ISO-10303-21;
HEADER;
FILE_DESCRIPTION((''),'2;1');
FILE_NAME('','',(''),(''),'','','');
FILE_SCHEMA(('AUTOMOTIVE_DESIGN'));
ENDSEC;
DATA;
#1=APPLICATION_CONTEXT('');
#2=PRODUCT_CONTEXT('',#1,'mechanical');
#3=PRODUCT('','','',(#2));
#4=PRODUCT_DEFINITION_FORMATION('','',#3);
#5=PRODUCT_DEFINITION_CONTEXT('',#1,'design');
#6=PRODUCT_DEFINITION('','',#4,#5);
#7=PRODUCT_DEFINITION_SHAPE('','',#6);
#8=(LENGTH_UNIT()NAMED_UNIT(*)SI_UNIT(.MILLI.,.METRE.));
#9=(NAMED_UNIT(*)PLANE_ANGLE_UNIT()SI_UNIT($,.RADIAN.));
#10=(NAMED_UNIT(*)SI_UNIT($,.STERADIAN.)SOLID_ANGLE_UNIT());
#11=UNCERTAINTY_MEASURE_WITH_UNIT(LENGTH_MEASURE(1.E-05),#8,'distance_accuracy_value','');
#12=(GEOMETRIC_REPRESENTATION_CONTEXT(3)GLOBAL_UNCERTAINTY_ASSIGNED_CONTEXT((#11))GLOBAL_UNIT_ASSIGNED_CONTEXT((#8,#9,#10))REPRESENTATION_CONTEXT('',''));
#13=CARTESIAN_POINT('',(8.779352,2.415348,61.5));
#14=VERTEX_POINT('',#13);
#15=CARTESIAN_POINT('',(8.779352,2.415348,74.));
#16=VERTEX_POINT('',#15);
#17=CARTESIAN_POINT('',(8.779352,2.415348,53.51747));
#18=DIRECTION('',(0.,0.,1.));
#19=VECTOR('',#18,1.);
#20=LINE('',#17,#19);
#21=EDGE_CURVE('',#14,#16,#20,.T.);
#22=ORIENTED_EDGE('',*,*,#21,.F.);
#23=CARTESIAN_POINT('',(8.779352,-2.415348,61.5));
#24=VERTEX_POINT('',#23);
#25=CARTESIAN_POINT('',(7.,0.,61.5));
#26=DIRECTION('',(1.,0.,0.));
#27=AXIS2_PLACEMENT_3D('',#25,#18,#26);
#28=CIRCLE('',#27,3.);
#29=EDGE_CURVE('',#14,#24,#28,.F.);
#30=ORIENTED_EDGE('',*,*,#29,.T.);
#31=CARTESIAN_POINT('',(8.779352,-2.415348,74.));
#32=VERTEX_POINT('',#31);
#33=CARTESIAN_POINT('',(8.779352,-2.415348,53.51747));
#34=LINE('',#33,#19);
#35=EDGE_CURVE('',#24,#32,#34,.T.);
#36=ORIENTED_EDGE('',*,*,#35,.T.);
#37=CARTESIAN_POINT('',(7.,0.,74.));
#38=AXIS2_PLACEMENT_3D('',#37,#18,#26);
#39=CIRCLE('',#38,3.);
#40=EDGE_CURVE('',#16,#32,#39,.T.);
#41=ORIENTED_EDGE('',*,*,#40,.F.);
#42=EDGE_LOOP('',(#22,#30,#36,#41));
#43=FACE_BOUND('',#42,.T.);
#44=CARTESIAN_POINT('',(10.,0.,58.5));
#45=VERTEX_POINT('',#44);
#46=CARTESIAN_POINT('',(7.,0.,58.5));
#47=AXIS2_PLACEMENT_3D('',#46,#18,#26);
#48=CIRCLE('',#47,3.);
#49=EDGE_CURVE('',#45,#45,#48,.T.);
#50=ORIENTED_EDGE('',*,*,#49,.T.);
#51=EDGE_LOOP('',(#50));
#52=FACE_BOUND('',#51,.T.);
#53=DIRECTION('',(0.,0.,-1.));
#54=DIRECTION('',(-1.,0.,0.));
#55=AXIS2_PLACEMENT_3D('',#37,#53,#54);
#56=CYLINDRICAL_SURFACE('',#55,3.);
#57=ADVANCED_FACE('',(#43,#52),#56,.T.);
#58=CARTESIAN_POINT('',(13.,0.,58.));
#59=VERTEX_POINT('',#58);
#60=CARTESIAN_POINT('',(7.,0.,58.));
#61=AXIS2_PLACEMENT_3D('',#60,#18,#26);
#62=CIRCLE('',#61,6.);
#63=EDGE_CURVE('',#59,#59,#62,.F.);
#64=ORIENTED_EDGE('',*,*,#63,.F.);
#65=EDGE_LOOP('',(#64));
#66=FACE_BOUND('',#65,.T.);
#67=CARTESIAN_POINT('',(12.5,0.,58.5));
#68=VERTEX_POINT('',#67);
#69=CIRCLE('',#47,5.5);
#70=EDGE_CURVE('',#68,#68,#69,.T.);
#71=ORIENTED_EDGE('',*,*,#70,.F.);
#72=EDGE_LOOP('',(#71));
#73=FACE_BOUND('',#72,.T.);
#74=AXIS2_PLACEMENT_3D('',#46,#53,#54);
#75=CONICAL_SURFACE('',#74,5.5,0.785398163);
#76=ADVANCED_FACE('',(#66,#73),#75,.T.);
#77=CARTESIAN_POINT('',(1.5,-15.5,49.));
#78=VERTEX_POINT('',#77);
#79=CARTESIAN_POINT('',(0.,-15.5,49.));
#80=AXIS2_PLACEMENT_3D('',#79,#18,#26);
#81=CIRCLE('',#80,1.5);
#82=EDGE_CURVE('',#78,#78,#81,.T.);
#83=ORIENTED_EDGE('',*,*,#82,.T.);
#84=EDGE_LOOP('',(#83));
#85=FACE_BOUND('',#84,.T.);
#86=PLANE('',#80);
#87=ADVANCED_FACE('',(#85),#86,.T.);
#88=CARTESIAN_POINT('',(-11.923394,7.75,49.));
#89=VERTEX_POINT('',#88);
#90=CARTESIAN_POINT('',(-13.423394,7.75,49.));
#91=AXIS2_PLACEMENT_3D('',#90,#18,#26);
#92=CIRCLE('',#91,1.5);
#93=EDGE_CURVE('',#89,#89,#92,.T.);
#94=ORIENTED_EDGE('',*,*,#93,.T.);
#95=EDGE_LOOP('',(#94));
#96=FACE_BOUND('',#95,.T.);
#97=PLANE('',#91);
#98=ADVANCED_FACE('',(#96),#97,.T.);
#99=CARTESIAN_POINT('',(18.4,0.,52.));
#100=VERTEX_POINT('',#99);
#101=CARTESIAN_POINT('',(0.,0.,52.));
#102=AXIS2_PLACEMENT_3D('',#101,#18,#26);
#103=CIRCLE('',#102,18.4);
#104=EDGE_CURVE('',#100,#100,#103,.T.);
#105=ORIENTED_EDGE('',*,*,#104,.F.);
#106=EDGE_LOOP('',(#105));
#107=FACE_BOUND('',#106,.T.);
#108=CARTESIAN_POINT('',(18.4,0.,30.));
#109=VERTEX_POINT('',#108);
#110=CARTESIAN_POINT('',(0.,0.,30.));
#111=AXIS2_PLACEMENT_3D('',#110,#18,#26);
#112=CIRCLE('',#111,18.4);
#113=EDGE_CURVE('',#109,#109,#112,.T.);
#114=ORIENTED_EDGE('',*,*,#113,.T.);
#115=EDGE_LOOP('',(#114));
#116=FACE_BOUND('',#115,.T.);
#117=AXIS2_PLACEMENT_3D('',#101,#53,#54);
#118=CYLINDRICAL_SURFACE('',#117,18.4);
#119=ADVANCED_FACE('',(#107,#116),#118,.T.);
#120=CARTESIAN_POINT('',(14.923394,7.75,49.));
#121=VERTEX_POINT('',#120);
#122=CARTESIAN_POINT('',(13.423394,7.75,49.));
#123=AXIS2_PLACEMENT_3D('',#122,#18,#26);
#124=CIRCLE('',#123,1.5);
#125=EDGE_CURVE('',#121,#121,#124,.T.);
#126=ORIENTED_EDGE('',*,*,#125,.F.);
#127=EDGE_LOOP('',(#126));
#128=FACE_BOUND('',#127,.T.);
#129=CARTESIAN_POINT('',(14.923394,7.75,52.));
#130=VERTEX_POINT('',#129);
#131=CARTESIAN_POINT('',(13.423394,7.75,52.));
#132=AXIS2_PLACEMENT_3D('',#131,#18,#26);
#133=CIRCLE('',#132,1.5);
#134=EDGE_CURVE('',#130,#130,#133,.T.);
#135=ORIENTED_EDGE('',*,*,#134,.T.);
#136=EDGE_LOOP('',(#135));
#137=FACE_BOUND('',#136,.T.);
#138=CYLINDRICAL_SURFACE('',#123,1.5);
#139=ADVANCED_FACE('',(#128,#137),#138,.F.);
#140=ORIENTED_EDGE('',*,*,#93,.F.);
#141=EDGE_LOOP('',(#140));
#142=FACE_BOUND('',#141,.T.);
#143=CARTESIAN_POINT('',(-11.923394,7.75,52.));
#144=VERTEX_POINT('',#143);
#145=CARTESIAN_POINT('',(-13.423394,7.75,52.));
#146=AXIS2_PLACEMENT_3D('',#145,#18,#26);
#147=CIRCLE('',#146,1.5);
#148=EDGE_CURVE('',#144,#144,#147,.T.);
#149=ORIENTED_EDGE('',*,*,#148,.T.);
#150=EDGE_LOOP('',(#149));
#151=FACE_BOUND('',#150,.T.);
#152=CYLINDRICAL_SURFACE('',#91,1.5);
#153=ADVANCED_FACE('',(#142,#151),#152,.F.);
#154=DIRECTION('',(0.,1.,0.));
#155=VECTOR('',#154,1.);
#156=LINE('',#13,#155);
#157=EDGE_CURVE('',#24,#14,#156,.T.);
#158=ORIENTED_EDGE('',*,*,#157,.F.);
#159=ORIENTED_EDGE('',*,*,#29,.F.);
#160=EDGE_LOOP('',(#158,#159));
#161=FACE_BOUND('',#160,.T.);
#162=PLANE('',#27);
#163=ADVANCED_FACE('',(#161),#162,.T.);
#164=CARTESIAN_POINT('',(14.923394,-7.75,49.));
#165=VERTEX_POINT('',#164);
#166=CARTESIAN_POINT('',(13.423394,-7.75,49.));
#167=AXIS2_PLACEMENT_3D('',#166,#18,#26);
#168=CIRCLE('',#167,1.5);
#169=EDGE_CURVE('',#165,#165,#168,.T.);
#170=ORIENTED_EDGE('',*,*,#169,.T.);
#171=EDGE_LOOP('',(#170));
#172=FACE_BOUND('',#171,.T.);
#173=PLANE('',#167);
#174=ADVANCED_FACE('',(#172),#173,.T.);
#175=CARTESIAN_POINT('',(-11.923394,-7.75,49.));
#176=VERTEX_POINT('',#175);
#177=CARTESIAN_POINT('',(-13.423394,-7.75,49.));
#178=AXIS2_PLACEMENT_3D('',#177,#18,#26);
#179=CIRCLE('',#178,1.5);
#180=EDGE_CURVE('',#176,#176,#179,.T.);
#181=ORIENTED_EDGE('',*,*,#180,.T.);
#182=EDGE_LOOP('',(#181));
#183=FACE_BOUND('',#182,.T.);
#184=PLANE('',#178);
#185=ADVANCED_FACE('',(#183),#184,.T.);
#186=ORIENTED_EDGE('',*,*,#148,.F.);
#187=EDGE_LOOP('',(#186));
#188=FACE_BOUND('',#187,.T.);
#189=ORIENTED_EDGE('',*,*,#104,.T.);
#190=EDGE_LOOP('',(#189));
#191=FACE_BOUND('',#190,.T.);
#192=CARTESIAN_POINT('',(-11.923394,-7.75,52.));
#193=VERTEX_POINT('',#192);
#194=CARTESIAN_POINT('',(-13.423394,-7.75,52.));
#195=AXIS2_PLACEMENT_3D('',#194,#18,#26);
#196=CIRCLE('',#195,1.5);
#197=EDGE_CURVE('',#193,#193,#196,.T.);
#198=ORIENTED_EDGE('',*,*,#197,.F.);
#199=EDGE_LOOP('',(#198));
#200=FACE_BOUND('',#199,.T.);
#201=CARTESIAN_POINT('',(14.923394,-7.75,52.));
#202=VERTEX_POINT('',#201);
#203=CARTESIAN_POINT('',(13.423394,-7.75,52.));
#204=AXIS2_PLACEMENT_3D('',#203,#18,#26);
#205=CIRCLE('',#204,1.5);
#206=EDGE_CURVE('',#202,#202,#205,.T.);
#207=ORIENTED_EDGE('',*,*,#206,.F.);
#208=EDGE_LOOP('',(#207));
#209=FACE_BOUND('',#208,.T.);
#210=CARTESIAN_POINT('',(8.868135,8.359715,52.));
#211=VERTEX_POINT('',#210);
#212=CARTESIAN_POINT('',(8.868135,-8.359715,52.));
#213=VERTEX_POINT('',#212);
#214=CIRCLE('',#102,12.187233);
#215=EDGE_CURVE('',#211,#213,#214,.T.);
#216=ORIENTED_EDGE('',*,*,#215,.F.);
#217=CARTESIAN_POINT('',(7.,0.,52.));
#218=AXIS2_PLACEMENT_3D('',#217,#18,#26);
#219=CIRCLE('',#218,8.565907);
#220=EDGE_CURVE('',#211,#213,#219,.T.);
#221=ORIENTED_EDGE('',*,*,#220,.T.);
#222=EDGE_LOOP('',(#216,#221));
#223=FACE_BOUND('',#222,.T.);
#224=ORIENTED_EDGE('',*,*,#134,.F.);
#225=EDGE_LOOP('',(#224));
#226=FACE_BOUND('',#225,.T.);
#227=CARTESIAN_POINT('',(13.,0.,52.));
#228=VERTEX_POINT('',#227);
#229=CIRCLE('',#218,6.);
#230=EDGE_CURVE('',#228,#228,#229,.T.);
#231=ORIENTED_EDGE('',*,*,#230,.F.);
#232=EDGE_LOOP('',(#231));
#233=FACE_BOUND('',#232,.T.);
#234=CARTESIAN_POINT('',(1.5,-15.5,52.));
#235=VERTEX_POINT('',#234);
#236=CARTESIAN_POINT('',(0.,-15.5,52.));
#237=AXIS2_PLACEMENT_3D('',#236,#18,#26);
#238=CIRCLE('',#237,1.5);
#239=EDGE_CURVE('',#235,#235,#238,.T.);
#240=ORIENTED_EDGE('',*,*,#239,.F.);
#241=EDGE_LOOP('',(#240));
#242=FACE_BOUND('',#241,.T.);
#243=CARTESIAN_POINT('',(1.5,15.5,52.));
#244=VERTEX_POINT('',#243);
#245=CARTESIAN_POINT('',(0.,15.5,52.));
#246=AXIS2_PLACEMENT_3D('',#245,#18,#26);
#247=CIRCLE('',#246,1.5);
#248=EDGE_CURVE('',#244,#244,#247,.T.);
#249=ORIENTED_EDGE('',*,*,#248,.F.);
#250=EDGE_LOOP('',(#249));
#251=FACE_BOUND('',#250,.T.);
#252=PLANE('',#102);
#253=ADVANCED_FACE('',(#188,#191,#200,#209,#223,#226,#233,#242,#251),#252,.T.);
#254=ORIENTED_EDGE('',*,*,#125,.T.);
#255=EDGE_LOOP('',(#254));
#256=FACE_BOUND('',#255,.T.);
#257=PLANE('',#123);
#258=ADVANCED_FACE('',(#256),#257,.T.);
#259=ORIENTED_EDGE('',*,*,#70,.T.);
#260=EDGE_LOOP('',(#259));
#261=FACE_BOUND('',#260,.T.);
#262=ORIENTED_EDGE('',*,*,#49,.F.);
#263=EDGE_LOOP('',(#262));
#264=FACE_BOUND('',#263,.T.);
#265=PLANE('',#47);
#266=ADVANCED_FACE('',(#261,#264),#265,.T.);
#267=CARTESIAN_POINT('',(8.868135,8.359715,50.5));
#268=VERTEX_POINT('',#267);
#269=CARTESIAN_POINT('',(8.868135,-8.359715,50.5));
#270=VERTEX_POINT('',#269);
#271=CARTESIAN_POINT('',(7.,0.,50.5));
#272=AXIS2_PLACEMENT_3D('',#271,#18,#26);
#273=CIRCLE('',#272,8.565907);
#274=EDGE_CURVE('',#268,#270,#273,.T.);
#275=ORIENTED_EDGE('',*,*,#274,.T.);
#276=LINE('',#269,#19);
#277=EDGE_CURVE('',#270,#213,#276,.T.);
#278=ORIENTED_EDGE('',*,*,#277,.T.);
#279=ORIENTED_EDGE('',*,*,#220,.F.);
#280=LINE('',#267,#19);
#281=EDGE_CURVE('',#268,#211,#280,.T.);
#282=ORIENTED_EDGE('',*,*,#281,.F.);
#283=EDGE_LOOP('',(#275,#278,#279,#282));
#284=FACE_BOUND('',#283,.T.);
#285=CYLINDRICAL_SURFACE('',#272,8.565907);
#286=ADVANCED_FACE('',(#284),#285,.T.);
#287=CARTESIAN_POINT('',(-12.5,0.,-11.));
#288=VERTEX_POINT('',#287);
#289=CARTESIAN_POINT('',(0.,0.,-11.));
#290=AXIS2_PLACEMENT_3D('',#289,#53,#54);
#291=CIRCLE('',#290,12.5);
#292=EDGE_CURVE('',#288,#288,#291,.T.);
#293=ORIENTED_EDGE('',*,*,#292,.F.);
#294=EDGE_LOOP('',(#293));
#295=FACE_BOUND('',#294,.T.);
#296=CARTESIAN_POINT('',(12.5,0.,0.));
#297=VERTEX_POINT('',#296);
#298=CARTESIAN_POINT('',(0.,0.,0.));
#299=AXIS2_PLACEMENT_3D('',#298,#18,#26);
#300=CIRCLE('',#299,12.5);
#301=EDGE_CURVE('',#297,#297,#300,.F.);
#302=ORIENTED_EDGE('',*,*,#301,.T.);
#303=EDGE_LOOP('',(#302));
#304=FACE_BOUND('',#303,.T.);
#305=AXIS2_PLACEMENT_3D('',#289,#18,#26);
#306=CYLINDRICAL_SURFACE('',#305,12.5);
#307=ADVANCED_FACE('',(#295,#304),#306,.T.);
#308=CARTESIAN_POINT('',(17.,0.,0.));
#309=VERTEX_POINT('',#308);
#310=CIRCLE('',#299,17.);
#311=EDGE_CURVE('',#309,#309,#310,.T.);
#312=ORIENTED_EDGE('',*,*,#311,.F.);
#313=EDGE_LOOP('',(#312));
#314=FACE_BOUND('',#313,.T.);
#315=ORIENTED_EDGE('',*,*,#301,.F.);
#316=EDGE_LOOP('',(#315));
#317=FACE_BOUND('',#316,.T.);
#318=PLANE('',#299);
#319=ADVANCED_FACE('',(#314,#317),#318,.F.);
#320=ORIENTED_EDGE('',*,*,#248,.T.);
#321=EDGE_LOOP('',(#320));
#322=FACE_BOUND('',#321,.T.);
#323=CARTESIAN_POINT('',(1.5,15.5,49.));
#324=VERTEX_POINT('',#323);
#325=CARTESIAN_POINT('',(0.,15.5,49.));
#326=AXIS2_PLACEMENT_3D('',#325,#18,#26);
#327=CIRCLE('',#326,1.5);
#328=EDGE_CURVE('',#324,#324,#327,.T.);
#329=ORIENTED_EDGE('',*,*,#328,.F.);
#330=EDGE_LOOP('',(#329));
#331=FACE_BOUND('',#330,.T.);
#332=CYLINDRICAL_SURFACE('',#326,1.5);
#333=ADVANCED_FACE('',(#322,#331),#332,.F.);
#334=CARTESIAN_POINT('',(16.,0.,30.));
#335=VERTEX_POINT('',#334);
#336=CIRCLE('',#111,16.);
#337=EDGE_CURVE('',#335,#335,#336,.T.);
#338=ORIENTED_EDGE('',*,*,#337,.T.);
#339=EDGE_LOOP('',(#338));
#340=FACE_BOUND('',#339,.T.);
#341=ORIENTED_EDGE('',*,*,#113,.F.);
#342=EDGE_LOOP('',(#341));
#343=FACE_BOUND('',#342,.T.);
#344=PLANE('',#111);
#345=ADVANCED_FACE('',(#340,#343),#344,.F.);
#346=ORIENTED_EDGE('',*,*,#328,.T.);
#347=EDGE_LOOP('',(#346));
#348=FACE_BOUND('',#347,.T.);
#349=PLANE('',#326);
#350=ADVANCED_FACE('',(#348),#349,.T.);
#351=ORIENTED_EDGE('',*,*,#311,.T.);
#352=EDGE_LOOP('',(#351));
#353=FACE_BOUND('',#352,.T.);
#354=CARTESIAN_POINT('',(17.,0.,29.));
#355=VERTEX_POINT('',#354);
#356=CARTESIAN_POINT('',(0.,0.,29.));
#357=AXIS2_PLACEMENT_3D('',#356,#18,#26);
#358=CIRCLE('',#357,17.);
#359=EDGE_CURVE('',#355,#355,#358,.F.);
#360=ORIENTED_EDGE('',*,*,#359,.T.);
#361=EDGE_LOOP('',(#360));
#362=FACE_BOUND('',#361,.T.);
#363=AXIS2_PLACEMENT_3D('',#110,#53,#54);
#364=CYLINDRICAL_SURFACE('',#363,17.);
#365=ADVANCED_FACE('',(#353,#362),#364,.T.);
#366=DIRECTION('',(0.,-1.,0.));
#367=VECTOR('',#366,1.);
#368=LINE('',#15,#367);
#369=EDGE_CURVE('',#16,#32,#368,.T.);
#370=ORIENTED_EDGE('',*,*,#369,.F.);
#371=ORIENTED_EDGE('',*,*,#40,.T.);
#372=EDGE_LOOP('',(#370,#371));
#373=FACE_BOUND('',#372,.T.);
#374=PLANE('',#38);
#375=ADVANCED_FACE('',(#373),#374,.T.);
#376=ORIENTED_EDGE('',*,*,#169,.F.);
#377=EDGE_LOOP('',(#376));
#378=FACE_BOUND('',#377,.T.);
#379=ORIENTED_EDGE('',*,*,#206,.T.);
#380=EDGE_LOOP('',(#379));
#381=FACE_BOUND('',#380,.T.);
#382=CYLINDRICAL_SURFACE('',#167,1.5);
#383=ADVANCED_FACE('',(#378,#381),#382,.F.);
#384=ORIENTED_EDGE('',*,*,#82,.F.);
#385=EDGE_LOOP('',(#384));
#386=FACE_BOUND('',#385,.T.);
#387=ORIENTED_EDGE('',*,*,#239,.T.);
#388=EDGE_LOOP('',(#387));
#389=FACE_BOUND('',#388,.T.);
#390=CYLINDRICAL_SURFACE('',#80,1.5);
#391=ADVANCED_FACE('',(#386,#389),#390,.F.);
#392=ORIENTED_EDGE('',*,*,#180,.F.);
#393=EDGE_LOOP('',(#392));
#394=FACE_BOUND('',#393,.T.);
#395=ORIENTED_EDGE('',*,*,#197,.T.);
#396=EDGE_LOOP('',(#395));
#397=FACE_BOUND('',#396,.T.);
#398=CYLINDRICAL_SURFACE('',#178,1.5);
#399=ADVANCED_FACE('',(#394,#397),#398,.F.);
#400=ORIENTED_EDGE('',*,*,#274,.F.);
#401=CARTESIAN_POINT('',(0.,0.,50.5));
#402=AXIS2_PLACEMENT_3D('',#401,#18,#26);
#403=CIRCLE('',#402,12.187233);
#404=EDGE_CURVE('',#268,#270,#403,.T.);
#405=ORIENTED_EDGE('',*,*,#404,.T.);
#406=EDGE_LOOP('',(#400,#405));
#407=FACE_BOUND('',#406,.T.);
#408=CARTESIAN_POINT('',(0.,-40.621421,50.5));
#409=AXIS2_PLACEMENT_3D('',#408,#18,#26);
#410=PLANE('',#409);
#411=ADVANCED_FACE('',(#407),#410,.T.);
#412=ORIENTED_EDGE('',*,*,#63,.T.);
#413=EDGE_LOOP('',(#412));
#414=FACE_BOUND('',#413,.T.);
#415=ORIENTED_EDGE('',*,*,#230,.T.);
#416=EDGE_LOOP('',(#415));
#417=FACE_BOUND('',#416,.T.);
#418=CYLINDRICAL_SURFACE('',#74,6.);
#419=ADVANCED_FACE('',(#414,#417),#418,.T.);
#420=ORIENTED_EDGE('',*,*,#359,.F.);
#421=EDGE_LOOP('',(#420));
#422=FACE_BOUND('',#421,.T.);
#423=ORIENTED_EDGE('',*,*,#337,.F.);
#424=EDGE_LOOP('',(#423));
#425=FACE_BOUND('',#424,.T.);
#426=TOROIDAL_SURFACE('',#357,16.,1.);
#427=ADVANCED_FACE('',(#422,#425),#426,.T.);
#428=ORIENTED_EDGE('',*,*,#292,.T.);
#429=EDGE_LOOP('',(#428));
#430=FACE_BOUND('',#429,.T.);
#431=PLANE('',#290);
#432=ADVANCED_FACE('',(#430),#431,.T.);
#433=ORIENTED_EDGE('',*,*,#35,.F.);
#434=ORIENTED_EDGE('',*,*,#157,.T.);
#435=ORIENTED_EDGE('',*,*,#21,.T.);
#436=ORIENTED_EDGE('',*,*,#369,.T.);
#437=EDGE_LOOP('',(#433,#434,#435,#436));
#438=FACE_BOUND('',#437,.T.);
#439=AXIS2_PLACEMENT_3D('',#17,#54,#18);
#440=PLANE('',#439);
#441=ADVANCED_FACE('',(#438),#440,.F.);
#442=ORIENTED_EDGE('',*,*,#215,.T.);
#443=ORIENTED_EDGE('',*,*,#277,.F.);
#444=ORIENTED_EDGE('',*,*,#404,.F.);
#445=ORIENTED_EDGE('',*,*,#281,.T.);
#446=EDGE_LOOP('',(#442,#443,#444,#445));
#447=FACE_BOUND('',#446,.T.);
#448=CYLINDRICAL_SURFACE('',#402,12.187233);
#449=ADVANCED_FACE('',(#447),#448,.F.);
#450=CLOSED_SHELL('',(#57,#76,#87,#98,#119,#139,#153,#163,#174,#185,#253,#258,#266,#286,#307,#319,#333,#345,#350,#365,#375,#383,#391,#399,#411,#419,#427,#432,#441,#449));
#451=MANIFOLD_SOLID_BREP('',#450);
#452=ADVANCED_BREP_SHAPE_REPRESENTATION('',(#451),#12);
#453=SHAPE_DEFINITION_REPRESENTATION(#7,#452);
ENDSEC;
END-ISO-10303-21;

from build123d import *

# Parameters (mm, degrees)
SKETCH1_R           = 17
BOSS_EXTRUDE1_DEPTH = 30
FILLET1_R           = 1
SKETCH2_R           = 18.4
BOSS_EXTRUDE2_DEPTH = 22
SKETCH3_R           = 1.5
CUT_EXTRUDE1_DEPTH  = 3
SKETCH4_R           = 6
BOSS_EXTRUDE3_DEPTH = 6.5
CHAMFER1_SIZE       = 0.5
SKETCH5_R           = 3
BOSS_EXTRUDE4_DEPTH = 15.5
CUT_EXTRUDE3_DEPTH  = 1.5
SKETCH7_R           = 12.5
BOSS_EXTRUDE5_DEPTH = 11
CUT_EXTRUDE4_DEPTH  = 12.5


with BuildPart() as part:
    # Sketch1 → Boss-Extrude1 (new body)
    with BuildSketch(Plane.XY):
        Circle(SKETCH1_R)
    extrude(amount=BOSS_EXTRUDE1_DEPTH)

    # Fillet1
    fillet1_edges = [part.edges().sort_by_distance(p)[0] for p in [
        (-17, 0, 30),
    ]]
    fillet(fillet1_edges, radius=FILLET1_R)

    # Sketch2 → Boss-Extrude2 (add)
    with BuildSketch(Plane.XY.offset(30)):
        Circle(SKETCH2_R)
    extrude(amount=BOSS_EXTRUDE2_DEPTH)

    # Sketch3 → Cut-Extrude1 (cut)
    with BuildSketch(Plane.XY.offset(52)):
        with Locations((0, 15.5)):
            Circle(SKETCH3_R)
        with Locations((13.423393759, 7.75)):
            Circle(SKETCH3_R)
        with Locations((13.423393759, -7.75)):
            Circle(SKETCH3_R)
        with Locations((0, -15.5)):
            Circle(SKETCH3_R)
        with Locations((-13.423393759, -7.75)):
            Circle(SKETCH3_R)
        with Locations((-13.423393759, 7.75)):
            Circle(SKETCH3_R)
    extrude(amount=-CUT_EXTRUDE1_DEPTH, mode=Mode.SUBTRACT)

    # Sketch4 → Boss-Extrude3 (add)
    with BuildSketch(Plane.XY.offset(52)):
        with Locations((7, 0)):
            Circle(SKETCH4_R)
    extrude(amount=BOSS_EXTRUDE3_DEPTH)

    # Chamfer1
    chamfer1_edges = [part.edges().sort_by_distance(p)[0] for p in [
        (1, 0, 58.5),
    ]]
    chamfer(chamfer1_edges, length=CHAMFER1_SIZE)

    # Sketch5 → Boss-Extrude4 (add)
    with BuildSketch(Plane.XY.offset(58.5)):
        with Locations((7, 0)):
            Circle(SKETCH5_R)
    extrude(amount=BOSS_EXTRUDE4_DEPTH)

    # Sketch6 → Cut-Extrude3 (cut)
    with BuildSketch(Plane.XY.offset(52)):
        with BuildLine():
            ThreePointArc((8.868134735, -8.359715213), (-1.565907181, 0), (8.868134735, 8.359715213))
            ThreePointArc((8.868134735, 8.359715213), (-12.187233161, 0), (8.868134735, -8.359715213))
        make_face()
    extrude(amount=-CUT_EXTRUDE3_DEPTH, mode=Mode.SUBTRACT)

    # Sketch7 → Boss-Extrude5 (add)
    with BuildSketch(Plane(origin=(0, 0, 0), x_dir=(-1, 0, 0), z_dir=(0, 0, -1))):
        Circle(SKETCH7_R)
    extrude(amount=BOSS_EXTRUDE5_DEPTH)

    # Sketch8 → Cut-Extrude4 (cut)
    with BuildSketch(Plane.XY.offset(74)):
        with BuildLine():
            Line((8.779351905, 2.415348174), (8.779351905, -2.415348174))
            ThreePointArc((8.779351905, -2.415348174), (10, 0), (8.779351905, 2.415348174))
        make_face()
    extrude(amount=-CUT_EXTRUDE4_DEPTH, mode=Mode.SUBTRACT)


solid = part.part
